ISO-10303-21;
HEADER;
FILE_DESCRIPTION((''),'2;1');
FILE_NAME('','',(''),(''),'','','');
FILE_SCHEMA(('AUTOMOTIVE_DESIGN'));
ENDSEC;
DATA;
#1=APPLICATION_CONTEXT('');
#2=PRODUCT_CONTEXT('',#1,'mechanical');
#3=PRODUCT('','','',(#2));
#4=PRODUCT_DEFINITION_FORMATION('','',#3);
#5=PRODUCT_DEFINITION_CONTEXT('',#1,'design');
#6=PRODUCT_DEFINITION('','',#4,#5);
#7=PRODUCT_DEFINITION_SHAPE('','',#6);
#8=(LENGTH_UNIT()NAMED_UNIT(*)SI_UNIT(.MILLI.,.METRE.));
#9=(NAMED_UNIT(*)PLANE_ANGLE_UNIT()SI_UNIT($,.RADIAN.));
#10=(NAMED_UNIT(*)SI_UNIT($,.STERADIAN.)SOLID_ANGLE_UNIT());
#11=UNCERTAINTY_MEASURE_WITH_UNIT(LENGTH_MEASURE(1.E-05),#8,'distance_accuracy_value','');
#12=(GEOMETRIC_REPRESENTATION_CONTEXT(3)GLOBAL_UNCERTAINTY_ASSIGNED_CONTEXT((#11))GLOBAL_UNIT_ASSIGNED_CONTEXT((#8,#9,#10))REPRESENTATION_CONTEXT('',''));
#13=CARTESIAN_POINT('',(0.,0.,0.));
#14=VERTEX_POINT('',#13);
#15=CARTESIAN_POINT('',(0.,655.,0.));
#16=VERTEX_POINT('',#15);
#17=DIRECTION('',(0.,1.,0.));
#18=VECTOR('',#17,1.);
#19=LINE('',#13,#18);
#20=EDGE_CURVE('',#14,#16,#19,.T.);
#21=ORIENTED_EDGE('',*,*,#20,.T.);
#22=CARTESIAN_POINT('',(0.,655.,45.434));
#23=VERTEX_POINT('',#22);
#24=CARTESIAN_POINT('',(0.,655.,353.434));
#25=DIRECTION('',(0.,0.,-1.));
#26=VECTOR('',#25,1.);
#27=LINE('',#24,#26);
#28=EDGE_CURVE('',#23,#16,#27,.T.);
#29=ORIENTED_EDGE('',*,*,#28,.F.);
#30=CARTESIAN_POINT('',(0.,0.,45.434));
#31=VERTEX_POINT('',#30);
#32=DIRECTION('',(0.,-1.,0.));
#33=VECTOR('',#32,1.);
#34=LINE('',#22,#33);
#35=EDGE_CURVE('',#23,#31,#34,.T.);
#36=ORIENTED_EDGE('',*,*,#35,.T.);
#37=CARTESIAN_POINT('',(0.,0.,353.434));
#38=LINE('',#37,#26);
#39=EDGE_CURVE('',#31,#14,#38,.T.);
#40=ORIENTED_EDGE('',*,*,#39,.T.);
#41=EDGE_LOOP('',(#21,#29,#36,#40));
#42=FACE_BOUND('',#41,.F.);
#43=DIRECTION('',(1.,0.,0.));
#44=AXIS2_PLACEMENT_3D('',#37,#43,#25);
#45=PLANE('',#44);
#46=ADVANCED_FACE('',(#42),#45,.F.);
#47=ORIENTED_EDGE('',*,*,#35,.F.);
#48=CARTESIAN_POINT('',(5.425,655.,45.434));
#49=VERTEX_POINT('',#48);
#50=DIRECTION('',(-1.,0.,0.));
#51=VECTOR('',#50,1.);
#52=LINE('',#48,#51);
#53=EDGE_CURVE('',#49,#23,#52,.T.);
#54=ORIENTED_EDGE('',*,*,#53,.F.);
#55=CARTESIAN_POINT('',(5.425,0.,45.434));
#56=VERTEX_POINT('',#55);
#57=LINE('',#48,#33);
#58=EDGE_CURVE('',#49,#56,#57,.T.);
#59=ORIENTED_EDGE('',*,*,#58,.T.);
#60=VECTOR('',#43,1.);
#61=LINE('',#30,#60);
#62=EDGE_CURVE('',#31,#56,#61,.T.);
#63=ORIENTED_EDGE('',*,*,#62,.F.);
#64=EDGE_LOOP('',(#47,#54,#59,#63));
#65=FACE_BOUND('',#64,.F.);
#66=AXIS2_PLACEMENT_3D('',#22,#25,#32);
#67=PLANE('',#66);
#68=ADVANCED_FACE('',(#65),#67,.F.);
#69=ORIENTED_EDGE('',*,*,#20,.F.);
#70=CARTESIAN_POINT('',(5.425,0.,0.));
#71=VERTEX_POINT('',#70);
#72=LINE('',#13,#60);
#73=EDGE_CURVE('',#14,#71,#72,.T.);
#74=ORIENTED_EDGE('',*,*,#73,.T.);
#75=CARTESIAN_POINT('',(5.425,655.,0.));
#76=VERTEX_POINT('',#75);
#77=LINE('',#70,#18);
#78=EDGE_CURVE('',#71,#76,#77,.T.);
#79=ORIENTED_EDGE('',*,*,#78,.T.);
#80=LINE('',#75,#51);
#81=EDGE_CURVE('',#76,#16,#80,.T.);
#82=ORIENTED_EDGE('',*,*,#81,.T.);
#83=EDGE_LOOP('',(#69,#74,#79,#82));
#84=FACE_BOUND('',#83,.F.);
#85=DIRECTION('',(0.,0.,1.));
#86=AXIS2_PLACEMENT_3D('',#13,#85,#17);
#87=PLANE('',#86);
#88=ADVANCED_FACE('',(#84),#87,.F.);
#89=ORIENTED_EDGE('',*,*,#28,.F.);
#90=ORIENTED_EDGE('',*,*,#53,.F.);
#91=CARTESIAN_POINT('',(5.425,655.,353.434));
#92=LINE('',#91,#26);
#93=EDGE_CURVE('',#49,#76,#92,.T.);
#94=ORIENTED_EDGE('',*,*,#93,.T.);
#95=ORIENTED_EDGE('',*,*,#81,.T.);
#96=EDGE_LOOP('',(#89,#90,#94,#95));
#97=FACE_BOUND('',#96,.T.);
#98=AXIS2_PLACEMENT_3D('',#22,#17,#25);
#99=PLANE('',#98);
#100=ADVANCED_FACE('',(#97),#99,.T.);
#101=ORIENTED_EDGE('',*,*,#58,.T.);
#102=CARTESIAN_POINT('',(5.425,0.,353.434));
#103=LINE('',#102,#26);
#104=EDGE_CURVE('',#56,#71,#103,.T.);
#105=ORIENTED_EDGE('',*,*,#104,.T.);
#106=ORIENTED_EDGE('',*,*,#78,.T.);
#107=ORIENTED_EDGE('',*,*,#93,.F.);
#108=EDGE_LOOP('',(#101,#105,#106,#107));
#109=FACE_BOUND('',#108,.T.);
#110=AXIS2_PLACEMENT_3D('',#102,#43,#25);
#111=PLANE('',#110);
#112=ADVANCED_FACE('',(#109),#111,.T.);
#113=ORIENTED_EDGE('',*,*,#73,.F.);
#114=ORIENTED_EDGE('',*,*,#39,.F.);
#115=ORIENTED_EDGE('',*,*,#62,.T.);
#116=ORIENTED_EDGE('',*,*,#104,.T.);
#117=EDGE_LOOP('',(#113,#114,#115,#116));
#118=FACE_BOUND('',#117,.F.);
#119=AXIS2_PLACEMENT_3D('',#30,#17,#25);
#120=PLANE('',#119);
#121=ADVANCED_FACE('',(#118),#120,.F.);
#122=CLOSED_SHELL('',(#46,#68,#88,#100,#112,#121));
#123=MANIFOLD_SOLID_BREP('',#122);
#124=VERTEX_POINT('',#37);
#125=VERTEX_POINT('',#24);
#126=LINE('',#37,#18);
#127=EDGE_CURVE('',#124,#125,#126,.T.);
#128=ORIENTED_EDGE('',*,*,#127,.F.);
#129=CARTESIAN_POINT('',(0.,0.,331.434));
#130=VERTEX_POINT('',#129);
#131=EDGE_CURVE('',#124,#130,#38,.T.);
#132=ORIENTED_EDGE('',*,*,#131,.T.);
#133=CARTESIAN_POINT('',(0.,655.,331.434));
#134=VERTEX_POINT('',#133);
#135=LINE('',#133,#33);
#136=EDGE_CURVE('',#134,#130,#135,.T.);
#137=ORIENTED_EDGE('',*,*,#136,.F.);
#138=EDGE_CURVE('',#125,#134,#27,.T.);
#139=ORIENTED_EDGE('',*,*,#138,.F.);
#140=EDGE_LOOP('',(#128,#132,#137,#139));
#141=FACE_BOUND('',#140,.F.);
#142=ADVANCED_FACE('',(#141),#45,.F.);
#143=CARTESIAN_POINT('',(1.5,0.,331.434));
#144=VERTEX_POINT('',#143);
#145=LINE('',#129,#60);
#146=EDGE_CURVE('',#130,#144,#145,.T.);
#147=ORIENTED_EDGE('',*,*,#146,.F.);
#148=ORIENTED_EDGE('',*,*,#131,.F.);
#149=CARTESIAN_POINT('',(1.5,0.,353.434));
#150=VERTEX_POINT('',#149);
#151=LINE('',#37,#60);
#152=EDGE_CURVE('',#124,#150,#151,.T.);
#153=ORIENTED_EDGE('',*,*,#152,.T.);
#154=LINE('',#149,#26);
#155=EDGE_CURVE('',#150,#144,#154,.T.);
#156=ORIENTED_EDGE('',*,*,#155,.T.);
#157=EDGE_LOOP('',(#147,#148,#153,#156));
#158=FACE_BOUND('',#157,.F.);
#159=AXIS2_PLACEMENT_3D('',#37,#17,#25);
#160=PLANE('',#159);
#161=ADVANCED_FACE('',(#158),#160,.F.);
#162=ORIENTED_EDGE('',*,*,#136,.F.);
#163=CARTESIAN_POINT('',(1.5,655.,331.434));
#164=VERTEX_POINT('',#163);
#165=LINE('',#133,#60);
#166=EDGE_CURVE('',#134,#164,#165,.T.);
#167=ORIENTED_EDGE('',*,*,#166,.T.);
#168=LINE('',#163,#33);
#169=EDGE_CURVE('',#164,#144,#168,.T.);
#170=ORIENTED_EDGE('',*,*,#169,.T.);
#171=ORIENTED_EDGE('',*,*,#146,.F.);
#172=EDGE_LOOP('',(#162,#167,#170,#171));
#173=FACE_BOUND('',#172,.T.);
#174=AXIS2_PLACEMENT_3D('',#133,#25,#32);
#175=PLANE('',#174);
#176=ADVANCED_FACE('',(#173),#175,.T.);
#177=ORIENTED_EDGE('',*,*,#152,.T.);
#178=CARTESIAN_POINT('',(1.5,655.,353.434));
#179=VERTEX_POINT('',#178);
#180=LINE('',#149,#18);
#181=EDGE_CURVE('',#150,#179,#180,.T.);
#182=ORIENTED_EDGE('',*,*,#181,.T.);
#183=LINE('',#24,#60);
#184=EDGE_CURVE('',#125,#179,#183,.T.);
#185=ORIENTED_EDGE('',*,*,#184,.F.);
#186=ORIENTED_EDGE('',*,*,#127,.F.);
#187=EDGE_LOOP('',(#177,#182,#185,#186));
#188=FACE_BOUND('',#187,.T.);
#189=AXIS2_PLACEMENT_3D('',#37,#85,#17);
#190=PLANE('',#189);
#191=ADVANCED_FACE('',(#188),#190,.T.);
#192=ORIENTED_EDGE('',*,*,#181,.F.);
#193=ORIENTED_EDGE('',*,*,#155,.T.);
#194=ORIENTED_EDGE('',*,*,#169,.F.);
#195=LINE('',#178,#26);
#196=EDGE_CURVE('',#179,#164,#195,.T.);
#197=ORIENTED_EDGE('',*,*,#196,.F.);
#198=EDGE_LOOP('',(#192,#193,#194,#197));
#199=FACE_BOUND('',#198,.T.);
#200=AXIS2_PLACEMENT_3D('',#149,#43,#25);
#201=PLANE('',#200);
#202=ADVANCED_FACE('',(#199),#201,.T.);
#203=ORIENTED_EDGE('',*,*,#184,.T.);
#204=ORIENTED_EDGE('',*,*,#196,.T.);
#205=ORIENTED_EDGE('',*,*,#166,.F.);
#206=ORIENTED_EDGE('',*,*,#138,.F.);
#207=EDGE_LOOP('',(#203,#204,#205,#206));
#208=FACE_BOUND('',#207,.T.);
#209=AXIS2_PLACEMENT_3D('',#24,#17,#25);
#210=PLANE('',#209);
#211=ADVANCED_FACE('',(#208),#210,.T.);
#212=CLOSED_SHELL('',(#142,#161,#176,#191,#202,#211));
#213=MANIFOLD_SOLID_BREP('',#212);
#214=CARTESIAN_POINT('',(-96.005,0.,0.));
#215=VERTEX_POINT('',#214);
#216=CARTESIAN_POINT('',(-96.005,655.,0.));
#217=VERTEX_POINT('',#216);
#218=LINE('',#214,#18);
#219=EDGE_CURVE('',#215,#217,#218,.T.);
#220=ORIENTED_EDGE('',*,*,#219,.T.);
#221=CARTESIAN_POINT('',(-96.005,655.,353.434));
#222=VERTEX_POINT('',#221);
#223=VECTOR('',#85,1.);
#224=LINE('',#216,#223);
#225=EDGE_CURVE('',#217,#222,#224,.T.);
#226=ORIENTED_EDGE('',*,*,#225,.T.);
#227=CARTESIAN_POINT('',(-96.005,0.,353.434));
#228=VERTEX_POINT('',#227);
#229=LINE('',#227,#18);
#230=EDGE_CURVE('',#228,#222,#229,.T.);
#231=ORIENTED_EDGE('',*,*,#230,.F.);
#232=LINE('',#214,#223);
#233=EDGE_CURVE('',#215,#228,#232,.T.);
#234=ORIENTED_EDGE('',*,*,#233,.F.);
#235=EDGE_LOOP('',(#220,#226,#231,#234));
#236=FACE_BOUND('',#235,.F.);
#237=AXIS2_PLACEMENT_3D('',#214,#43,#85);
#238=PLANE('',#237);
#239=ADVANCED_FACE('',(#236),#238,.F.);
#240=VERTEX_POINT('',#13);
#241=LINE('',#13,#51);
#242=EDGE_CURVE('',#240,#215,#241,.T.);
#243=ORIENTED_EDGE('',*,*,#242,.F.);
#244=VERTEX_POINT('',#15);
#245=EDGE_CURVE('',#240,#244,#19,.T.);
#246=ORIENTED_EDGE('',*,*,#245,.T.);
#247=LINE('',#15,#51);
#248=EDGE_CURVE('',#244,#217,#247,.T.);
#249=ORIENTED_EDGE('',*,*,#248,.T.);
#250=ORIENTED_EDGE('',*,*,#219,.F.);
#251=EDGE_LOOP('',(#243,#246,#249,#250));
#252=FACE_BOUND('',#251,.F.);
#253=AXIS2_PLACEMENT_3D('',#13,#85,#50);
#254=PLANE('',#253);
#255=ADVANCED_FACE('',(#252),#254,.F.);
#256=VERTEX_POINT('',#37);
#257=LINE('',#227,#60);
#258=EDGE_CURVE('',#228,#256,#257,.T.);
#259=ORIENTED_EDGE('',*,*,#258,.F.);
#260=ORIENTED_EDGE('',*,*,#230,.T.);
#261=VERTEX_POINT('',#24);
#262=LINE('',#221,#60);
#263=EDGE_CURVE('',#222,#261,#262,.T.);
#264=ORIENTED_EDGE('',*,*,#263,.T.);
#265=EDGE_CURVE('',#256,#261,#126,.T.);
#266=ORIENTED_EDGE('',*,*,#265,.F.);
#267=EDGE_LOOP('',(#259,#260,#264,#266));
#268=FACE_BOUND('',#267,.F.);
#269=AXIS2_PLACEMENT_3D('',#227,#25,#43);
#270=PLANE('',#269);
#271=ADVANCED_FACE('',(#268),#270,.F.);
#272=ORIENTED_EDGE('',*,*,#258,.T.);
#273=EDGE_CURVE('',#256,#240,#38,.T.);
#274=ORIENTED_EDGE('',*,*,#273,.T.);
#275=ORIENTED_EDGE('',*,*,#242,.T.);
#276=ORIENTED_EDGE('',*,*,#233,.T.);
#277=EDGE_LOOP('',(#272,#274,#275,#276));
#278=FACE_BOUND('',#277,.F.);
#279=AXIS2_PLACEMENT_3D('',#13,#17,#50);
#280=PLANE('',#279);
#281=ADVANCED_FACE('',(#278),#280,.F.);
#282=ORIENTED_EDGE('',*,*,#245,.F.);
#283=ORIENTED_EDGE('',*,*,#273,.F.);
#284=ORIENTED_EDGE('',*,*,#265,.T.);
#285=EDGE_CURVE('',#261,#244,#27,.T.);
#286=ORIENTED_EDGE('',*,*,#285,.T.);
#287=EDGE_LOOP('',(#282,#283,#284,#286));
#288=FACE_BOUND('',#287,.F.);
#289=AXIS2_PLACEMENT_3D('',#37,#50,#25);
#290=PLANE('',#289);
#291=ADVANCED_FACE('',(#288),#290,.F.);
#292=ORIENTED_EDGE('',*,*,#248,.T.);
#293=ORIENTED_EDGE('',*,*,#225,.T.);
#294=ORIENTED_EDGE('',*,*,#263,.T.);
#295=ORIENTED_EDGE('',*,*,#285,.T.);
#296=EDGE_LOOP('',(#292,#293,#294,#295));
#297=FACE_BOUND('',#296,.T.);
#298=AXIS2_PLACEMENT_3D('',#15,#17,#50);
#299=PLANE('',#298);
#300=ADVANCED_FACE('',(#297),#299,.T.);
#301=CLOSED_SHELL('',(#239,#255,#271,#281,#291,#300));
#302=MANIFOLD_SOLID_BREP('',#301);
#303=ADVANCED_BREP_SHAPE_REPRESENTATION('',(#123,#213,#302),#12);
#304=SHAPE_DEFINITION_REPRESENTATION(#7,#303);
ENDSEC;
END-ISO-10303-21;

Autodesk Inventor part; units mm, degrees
ref_plane "YZ Plane" through (0, 0, 0) normal (1, 0, 0) x (0, 1, 0)
sketch "Sketch7" plane through (0, 0, 0) normal (0, 1, 0) x (-1, 0, 0)
  line L0 (0, 0) -> (96.005, 0)
  line L1 (96.005, 0) -> (96.005, 353.434)
  line L2 (96.005, 353.434) -> (0, 353.434)
  line L3 (0, 353.434) -> (0, 0)
  dimension "d17" = 353.434
  dimension "d18" = 96.005
extrude "Extrusion5" add sketch "Sketch7" along normal blind 655
sketch "Sketch8" plane through (0, 0, 353.434) normal (1, 0, 0) x (0, 0, -1)
  line L0 (0, 0) -> (353.434, 0) projected
  line L1 (353.434, 0) -> (353.434, 655) projected
  line L2 (0, 655) -> (353.434, 655) projected
  line L3 (0, 0) -> (0, 655) projected
  line L4 (353.434, 655) -> (308, 655)
  line L5 (308, 655) -> (308, 0)
  line L6 (308, 0) -> (353.434, 0)
  line L7 (22, 0) -> (0, 0)
  line L8 (0, 0) -> (0, 655)
  line L9 (0, 655) -> (22, 655)
  line L10 (22, 655) -> (22, 0)
  dimension "d21" = 45.434
  dimension "d22" = 22
ref_plane "Work Plane16" through (2.425, 613, 26.434) normal (1, 0, 0) x (0, 1, 0)
extrude "Extrusion6" add sketch "Sketch8" along normal up to surface (2.425 mm away) separate body contours L5 L2 L1 L0
extrude "Extrusion7" add sketch "Sketch8" along normal blind 3 from surface at 2.425 contours L5 L2 L1 L0 bodies 2
ref_plane "Work Plane17" through (1.5, 633, 331.434) normal (1, 0, 0) x (0, 1, 0)
extrude "Extrusion8" add sketch "Sketch8" along normal up to surface (1.5 mm away) separate body contours L3 L2 L10 L0
ref_plane "Work Plane18" through (-45.29, 0, 45.434) normal (1, 0, 0) x (0, 0, -1)
ref_plane "Work Plane19" through (-96.005, 0, 176.717) normal (0, 0, 1) x (1, 0, 0)
ref_plane "Work Plane20" through (0, 327.5, 0) normal (0, 1, 0) x (1, 0, 0)
properties part number "TAZ 6 Convex Model"
